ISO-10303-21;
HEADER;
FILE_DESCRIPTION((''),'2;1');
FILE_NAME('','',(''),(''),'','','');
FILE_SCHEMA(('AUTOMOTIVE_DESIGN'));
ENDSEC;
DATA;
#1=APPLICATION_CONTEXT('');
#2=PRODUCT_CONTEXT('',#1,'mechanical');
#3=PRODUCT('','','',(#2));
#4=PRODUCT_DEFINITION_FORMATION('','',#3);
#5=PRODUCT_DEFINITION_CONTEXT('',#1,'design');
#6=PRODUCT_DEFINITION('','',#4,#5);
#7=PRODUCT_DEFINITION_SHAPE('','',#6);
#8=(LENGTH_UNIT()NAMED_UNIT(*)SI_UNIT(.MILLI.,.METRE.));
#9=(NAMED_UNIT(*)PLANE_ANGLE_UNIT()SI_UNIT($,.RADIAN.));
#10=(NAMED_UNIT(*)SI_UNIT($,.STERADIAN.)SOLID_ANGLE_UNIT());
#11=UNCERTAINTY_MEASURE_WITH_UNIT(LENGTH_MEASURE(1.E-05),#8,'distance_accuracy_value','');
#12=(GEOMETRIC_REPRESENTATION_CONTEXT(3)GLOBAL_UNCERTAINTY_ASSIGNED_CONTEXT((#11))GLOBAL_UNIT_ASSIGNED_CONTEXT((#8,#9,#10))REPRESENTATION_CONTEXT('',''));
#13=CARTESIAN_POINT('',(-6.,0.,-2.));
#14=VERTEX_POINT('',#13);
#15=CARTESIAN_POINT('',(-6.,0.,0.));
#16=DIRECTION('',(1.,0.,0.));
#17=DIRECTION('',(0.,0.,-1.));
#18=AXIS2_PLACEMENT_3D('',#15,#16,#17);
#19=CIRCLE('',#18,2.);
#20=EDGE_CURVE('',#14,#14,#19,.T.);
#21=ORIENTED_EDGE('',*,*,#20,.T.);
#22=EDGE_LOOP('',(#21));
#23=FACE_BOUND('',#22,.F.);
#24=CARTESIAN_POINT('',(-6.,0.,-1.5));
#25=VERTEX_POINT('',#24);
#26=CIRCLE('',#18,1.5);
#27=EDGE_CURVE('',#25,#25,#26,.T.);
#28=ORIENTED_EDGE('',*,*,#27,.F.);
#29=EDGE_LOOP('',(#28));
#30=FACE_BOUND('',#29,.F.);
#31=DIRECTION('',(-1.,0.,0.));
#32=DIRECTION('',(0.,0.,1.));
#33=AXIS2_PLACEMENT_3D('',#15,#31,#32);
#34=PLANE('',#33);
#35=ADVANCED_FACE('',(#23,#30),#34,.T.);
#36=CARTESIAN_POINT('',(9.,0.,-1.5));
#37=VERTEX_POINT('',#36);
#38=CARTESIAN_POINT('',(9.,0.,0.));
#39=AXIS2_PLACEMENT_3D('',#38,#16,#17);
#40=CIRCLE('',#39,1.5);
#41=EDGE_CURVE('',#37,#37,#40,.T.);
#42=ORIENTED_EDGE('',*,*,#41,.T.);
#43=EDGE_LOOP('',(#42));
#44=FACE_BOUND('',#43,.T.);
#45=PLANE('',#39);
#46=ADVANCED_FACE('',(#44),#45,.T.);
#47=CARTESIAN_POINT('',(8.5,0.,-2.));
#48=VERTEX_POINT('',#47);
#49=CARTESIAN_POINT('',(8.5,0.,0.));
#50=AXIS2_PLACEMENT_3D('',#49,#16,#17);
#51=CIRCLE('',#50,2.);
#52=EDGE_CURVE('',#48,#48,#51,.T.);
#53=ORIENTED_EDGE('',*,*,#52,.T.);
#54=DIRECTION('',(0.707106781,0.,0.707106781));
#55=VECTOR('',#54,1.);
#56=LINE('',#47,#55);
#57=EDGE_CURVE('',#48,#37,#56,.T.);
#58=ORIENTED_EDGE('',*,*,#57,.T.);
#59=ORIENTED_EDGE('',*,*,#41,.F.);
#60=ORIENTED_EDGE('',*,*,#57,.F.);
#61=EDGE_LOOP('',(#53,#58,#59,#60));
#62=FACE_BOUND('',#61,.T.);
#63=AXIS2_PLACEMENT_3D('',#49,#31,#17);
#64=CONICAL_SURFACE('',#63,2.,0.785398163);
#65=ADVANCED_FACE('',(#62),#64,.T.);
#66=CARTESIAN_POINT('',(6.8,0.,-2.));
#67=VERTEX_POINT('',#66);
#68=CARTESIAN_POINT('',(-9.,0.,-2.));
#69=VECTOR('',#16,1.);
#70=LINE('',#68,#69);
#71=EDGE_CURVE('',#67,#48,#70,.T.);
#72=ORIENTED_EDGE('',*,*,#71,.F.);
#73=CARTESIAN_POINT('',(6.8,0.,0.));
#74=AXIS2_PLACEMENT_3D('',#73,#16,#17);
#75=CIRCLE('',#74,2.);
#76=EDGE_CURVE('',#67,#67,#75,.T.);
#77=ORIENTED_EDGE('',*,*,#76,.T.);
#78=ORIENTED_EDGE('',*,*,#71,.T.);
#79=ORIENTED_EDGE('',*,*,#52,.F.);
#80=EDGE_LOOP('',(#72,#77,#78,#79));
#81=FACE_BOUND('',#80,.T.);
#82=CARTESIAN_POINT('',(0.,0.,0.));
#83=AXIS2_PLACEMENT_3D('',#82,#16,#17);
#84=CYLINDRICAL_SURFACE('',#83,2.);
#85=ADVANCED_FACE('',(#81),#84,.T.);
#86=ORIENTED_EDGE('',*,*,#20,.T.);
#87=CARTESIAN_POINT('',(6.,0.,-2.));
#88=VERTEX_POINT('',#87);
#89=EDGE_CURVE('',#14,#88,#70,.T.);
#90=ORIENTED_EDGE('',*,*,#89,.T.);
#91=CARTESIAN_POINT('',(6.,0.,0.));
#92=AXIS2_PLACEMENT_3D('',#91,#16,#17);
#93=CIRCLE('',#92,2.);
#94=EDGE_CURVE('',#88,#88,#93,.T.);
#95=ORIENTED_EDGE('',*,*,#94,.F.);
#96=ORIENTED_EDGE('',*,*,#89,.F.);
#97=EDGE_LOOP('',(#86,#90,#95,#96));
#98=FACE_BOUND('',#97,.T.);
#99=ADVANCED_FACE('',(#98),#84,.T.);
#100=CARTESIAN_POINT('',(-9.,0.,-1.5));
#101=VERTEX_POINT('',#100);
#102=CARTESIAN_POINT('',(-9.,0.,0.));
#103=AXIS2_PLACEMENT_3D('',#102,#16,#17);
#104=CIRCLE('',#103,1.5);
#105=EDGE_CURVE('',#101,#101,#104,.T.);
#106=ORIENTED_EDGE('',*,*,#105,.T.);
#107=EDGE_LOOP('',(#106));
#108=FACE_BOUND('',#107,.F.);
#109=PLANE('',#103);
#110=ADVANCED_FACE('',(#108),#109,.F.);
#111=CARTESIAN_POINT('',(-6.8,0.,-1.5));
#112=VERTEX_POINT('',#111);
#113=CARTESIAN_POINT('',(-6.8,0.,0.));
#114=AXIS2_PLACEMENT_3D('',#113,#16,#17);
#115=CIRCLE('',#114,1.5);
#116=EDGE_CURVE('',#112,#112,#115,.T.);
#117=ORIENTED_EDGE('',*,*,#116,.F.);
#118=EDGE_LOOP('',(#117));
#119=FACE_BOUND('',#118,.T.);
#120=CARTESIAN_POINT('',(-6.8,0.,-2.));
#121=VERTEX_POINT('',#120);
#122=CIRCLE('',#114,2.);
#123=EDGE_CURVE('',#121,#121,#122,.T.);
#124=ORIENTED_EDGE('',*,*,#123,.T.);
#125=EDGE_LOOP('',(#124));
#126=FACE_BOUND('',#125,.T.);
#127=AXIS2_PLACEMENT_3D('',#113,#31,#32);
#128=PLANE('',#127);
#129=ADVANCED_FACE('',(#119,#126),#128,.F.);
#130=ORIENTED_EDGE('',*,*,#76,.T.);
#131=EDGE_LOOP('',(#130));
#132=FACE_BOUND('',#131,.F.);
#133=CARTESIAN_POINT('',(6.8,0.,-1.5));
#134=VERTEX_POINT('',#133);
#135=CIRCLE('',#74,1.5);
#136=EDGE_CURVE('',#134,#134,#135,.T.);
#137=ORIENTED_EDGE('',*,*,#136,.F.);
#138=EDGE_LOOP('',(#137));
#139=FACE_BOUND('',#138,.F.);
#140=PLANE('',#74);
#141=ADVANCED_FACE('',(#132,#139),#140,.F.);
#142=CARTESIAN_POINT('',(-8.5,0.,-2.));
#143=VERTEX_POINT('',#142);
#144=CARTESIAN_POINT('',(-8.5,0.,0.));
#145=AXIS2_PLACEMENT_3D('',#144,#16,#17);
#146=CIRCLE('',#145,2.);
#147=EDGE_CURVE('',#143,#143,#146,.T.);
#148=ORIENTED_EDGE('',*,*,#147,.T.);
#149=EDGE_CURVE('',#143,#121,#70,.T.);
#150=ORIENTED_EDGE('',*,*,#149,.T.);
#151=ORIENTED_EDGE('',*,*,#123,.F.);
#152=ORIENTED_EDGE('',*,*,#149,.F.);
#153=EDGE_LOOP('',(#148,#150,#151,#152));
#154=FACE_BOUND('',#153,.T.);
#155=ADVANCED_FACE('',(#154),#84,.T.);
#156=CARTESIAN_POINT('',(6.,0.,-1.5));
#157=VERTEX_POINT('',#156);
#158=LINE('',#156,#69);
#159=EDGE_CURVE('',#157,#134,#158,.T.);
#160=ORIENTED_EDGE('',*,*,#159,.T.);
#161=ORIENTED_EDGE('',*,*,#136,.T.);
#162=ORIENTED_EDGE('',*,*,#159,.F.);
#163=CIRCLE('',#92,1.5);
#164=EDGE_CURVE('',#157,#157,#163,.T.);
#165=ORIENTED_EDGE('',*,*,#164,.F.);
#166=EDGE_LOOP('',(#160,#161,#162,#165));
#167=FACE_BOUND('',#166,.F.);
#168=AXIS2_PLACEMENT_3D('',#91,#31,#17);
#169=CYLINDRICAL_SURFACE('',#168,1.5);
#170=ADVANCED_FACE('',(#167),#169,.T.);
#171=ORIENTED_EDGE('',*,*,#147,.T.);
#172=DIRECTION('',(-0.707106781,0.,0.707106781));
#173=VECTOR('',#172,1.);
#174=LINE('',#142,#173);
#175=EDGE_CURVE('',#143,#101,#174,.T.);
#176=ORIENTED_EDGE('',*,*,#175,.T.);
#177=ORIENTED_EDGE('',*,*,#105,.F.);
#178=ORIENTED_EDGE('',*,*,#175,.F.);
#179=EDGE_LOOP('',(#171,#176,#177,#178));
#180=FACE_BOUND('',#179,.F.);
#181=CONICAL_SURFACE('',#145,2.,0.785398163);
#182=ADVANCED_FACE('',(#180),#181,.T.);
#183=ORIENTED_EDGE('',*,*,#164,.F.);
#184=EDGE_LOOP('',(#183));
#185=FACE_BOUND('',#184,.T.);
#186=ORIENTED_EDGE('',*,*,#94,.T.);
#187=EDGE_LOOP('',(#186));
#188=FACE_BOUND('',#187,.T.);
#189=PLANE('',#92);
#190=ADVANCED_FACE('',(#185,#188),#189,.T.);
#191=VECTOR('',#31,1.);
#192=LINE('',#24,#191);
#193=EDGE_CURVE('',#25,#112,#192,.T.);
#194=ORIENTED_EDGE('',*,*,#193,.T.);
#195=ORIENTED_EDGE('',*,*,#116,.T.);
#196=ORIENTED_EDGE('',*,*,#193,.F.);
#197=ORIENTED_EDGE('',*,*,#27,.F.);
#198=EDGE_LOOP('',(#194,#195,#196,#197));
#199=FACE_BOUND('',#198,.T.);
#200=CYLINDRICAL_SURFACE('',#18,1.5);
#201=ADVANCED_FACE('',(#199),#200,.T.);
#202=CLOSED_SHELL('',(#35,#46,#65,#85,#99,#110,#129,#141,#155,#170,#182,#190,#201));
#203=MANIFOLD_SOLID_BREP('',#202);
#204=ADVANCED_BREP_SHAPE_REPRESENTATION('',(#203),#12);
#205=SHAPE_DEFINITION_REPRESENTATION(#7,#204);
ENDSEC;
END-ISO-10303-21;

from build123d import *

# Parameters (mm, degrees)
SKETCH1_R           = 2
BOSS_EXTRUDE1_DEPTH = 9
CHAMFER1_SIZE       = 0.5
CUT_EXTRUDE1_START  = -3
SKETCH2_R           = 2
SKETCH2_R_2         = 1.5
CUT_EXTRUDE1_DEPTH  = 0.8


with BuildPart() as part:
    # Sketch1 → Boss-Extrude1 (new body, symmetric)
    with BuildSketch(Plane(origin=(0, 0, 0), x_dir=(0, 0, -1), z_dir=(1, 0, 0))):
        Circle(SKETCH1_R)
    extrude(amount=BOSS_EXTRUDE1_DEPTH, both=True)

    # Chamfer1
    chamfer1_edges = [part.edges().sort_by_distance(p)[0] for p in [
        (-9, 0, 2),
        (9, 0, 2),
    ]]
    chamfer(chamfer1_edges, length=CHAMFER1_SIZE)

    # Sketch2 → Cut-Extrude1 (cut)
    with BuildSketch(Plane(origin=(9, 0, 0), x_dir=(0, 0, -1), z_dir=(1, 0, 0)).offset(CUT_EXTRUDE1_START)):
        Circle(SKETCH2_R)
        Circle(SKETCH2_R_2, mode=Mode.SUBTRACT)
    cut_extrude1 = extrude(amount=CUT_EXTRUDE1_DEPTH, mode=Mode.SUBTRACT)

    # Mirror1: Cut-Extrude1 across plane
    add(cut_extrude1.mirror(Plane(origin=(0, 0, 0), x_dir=(0, 0, 1), z_dir=(1, 0, 0))), mode=Mode.SUBTRACT)


solid = part.part
